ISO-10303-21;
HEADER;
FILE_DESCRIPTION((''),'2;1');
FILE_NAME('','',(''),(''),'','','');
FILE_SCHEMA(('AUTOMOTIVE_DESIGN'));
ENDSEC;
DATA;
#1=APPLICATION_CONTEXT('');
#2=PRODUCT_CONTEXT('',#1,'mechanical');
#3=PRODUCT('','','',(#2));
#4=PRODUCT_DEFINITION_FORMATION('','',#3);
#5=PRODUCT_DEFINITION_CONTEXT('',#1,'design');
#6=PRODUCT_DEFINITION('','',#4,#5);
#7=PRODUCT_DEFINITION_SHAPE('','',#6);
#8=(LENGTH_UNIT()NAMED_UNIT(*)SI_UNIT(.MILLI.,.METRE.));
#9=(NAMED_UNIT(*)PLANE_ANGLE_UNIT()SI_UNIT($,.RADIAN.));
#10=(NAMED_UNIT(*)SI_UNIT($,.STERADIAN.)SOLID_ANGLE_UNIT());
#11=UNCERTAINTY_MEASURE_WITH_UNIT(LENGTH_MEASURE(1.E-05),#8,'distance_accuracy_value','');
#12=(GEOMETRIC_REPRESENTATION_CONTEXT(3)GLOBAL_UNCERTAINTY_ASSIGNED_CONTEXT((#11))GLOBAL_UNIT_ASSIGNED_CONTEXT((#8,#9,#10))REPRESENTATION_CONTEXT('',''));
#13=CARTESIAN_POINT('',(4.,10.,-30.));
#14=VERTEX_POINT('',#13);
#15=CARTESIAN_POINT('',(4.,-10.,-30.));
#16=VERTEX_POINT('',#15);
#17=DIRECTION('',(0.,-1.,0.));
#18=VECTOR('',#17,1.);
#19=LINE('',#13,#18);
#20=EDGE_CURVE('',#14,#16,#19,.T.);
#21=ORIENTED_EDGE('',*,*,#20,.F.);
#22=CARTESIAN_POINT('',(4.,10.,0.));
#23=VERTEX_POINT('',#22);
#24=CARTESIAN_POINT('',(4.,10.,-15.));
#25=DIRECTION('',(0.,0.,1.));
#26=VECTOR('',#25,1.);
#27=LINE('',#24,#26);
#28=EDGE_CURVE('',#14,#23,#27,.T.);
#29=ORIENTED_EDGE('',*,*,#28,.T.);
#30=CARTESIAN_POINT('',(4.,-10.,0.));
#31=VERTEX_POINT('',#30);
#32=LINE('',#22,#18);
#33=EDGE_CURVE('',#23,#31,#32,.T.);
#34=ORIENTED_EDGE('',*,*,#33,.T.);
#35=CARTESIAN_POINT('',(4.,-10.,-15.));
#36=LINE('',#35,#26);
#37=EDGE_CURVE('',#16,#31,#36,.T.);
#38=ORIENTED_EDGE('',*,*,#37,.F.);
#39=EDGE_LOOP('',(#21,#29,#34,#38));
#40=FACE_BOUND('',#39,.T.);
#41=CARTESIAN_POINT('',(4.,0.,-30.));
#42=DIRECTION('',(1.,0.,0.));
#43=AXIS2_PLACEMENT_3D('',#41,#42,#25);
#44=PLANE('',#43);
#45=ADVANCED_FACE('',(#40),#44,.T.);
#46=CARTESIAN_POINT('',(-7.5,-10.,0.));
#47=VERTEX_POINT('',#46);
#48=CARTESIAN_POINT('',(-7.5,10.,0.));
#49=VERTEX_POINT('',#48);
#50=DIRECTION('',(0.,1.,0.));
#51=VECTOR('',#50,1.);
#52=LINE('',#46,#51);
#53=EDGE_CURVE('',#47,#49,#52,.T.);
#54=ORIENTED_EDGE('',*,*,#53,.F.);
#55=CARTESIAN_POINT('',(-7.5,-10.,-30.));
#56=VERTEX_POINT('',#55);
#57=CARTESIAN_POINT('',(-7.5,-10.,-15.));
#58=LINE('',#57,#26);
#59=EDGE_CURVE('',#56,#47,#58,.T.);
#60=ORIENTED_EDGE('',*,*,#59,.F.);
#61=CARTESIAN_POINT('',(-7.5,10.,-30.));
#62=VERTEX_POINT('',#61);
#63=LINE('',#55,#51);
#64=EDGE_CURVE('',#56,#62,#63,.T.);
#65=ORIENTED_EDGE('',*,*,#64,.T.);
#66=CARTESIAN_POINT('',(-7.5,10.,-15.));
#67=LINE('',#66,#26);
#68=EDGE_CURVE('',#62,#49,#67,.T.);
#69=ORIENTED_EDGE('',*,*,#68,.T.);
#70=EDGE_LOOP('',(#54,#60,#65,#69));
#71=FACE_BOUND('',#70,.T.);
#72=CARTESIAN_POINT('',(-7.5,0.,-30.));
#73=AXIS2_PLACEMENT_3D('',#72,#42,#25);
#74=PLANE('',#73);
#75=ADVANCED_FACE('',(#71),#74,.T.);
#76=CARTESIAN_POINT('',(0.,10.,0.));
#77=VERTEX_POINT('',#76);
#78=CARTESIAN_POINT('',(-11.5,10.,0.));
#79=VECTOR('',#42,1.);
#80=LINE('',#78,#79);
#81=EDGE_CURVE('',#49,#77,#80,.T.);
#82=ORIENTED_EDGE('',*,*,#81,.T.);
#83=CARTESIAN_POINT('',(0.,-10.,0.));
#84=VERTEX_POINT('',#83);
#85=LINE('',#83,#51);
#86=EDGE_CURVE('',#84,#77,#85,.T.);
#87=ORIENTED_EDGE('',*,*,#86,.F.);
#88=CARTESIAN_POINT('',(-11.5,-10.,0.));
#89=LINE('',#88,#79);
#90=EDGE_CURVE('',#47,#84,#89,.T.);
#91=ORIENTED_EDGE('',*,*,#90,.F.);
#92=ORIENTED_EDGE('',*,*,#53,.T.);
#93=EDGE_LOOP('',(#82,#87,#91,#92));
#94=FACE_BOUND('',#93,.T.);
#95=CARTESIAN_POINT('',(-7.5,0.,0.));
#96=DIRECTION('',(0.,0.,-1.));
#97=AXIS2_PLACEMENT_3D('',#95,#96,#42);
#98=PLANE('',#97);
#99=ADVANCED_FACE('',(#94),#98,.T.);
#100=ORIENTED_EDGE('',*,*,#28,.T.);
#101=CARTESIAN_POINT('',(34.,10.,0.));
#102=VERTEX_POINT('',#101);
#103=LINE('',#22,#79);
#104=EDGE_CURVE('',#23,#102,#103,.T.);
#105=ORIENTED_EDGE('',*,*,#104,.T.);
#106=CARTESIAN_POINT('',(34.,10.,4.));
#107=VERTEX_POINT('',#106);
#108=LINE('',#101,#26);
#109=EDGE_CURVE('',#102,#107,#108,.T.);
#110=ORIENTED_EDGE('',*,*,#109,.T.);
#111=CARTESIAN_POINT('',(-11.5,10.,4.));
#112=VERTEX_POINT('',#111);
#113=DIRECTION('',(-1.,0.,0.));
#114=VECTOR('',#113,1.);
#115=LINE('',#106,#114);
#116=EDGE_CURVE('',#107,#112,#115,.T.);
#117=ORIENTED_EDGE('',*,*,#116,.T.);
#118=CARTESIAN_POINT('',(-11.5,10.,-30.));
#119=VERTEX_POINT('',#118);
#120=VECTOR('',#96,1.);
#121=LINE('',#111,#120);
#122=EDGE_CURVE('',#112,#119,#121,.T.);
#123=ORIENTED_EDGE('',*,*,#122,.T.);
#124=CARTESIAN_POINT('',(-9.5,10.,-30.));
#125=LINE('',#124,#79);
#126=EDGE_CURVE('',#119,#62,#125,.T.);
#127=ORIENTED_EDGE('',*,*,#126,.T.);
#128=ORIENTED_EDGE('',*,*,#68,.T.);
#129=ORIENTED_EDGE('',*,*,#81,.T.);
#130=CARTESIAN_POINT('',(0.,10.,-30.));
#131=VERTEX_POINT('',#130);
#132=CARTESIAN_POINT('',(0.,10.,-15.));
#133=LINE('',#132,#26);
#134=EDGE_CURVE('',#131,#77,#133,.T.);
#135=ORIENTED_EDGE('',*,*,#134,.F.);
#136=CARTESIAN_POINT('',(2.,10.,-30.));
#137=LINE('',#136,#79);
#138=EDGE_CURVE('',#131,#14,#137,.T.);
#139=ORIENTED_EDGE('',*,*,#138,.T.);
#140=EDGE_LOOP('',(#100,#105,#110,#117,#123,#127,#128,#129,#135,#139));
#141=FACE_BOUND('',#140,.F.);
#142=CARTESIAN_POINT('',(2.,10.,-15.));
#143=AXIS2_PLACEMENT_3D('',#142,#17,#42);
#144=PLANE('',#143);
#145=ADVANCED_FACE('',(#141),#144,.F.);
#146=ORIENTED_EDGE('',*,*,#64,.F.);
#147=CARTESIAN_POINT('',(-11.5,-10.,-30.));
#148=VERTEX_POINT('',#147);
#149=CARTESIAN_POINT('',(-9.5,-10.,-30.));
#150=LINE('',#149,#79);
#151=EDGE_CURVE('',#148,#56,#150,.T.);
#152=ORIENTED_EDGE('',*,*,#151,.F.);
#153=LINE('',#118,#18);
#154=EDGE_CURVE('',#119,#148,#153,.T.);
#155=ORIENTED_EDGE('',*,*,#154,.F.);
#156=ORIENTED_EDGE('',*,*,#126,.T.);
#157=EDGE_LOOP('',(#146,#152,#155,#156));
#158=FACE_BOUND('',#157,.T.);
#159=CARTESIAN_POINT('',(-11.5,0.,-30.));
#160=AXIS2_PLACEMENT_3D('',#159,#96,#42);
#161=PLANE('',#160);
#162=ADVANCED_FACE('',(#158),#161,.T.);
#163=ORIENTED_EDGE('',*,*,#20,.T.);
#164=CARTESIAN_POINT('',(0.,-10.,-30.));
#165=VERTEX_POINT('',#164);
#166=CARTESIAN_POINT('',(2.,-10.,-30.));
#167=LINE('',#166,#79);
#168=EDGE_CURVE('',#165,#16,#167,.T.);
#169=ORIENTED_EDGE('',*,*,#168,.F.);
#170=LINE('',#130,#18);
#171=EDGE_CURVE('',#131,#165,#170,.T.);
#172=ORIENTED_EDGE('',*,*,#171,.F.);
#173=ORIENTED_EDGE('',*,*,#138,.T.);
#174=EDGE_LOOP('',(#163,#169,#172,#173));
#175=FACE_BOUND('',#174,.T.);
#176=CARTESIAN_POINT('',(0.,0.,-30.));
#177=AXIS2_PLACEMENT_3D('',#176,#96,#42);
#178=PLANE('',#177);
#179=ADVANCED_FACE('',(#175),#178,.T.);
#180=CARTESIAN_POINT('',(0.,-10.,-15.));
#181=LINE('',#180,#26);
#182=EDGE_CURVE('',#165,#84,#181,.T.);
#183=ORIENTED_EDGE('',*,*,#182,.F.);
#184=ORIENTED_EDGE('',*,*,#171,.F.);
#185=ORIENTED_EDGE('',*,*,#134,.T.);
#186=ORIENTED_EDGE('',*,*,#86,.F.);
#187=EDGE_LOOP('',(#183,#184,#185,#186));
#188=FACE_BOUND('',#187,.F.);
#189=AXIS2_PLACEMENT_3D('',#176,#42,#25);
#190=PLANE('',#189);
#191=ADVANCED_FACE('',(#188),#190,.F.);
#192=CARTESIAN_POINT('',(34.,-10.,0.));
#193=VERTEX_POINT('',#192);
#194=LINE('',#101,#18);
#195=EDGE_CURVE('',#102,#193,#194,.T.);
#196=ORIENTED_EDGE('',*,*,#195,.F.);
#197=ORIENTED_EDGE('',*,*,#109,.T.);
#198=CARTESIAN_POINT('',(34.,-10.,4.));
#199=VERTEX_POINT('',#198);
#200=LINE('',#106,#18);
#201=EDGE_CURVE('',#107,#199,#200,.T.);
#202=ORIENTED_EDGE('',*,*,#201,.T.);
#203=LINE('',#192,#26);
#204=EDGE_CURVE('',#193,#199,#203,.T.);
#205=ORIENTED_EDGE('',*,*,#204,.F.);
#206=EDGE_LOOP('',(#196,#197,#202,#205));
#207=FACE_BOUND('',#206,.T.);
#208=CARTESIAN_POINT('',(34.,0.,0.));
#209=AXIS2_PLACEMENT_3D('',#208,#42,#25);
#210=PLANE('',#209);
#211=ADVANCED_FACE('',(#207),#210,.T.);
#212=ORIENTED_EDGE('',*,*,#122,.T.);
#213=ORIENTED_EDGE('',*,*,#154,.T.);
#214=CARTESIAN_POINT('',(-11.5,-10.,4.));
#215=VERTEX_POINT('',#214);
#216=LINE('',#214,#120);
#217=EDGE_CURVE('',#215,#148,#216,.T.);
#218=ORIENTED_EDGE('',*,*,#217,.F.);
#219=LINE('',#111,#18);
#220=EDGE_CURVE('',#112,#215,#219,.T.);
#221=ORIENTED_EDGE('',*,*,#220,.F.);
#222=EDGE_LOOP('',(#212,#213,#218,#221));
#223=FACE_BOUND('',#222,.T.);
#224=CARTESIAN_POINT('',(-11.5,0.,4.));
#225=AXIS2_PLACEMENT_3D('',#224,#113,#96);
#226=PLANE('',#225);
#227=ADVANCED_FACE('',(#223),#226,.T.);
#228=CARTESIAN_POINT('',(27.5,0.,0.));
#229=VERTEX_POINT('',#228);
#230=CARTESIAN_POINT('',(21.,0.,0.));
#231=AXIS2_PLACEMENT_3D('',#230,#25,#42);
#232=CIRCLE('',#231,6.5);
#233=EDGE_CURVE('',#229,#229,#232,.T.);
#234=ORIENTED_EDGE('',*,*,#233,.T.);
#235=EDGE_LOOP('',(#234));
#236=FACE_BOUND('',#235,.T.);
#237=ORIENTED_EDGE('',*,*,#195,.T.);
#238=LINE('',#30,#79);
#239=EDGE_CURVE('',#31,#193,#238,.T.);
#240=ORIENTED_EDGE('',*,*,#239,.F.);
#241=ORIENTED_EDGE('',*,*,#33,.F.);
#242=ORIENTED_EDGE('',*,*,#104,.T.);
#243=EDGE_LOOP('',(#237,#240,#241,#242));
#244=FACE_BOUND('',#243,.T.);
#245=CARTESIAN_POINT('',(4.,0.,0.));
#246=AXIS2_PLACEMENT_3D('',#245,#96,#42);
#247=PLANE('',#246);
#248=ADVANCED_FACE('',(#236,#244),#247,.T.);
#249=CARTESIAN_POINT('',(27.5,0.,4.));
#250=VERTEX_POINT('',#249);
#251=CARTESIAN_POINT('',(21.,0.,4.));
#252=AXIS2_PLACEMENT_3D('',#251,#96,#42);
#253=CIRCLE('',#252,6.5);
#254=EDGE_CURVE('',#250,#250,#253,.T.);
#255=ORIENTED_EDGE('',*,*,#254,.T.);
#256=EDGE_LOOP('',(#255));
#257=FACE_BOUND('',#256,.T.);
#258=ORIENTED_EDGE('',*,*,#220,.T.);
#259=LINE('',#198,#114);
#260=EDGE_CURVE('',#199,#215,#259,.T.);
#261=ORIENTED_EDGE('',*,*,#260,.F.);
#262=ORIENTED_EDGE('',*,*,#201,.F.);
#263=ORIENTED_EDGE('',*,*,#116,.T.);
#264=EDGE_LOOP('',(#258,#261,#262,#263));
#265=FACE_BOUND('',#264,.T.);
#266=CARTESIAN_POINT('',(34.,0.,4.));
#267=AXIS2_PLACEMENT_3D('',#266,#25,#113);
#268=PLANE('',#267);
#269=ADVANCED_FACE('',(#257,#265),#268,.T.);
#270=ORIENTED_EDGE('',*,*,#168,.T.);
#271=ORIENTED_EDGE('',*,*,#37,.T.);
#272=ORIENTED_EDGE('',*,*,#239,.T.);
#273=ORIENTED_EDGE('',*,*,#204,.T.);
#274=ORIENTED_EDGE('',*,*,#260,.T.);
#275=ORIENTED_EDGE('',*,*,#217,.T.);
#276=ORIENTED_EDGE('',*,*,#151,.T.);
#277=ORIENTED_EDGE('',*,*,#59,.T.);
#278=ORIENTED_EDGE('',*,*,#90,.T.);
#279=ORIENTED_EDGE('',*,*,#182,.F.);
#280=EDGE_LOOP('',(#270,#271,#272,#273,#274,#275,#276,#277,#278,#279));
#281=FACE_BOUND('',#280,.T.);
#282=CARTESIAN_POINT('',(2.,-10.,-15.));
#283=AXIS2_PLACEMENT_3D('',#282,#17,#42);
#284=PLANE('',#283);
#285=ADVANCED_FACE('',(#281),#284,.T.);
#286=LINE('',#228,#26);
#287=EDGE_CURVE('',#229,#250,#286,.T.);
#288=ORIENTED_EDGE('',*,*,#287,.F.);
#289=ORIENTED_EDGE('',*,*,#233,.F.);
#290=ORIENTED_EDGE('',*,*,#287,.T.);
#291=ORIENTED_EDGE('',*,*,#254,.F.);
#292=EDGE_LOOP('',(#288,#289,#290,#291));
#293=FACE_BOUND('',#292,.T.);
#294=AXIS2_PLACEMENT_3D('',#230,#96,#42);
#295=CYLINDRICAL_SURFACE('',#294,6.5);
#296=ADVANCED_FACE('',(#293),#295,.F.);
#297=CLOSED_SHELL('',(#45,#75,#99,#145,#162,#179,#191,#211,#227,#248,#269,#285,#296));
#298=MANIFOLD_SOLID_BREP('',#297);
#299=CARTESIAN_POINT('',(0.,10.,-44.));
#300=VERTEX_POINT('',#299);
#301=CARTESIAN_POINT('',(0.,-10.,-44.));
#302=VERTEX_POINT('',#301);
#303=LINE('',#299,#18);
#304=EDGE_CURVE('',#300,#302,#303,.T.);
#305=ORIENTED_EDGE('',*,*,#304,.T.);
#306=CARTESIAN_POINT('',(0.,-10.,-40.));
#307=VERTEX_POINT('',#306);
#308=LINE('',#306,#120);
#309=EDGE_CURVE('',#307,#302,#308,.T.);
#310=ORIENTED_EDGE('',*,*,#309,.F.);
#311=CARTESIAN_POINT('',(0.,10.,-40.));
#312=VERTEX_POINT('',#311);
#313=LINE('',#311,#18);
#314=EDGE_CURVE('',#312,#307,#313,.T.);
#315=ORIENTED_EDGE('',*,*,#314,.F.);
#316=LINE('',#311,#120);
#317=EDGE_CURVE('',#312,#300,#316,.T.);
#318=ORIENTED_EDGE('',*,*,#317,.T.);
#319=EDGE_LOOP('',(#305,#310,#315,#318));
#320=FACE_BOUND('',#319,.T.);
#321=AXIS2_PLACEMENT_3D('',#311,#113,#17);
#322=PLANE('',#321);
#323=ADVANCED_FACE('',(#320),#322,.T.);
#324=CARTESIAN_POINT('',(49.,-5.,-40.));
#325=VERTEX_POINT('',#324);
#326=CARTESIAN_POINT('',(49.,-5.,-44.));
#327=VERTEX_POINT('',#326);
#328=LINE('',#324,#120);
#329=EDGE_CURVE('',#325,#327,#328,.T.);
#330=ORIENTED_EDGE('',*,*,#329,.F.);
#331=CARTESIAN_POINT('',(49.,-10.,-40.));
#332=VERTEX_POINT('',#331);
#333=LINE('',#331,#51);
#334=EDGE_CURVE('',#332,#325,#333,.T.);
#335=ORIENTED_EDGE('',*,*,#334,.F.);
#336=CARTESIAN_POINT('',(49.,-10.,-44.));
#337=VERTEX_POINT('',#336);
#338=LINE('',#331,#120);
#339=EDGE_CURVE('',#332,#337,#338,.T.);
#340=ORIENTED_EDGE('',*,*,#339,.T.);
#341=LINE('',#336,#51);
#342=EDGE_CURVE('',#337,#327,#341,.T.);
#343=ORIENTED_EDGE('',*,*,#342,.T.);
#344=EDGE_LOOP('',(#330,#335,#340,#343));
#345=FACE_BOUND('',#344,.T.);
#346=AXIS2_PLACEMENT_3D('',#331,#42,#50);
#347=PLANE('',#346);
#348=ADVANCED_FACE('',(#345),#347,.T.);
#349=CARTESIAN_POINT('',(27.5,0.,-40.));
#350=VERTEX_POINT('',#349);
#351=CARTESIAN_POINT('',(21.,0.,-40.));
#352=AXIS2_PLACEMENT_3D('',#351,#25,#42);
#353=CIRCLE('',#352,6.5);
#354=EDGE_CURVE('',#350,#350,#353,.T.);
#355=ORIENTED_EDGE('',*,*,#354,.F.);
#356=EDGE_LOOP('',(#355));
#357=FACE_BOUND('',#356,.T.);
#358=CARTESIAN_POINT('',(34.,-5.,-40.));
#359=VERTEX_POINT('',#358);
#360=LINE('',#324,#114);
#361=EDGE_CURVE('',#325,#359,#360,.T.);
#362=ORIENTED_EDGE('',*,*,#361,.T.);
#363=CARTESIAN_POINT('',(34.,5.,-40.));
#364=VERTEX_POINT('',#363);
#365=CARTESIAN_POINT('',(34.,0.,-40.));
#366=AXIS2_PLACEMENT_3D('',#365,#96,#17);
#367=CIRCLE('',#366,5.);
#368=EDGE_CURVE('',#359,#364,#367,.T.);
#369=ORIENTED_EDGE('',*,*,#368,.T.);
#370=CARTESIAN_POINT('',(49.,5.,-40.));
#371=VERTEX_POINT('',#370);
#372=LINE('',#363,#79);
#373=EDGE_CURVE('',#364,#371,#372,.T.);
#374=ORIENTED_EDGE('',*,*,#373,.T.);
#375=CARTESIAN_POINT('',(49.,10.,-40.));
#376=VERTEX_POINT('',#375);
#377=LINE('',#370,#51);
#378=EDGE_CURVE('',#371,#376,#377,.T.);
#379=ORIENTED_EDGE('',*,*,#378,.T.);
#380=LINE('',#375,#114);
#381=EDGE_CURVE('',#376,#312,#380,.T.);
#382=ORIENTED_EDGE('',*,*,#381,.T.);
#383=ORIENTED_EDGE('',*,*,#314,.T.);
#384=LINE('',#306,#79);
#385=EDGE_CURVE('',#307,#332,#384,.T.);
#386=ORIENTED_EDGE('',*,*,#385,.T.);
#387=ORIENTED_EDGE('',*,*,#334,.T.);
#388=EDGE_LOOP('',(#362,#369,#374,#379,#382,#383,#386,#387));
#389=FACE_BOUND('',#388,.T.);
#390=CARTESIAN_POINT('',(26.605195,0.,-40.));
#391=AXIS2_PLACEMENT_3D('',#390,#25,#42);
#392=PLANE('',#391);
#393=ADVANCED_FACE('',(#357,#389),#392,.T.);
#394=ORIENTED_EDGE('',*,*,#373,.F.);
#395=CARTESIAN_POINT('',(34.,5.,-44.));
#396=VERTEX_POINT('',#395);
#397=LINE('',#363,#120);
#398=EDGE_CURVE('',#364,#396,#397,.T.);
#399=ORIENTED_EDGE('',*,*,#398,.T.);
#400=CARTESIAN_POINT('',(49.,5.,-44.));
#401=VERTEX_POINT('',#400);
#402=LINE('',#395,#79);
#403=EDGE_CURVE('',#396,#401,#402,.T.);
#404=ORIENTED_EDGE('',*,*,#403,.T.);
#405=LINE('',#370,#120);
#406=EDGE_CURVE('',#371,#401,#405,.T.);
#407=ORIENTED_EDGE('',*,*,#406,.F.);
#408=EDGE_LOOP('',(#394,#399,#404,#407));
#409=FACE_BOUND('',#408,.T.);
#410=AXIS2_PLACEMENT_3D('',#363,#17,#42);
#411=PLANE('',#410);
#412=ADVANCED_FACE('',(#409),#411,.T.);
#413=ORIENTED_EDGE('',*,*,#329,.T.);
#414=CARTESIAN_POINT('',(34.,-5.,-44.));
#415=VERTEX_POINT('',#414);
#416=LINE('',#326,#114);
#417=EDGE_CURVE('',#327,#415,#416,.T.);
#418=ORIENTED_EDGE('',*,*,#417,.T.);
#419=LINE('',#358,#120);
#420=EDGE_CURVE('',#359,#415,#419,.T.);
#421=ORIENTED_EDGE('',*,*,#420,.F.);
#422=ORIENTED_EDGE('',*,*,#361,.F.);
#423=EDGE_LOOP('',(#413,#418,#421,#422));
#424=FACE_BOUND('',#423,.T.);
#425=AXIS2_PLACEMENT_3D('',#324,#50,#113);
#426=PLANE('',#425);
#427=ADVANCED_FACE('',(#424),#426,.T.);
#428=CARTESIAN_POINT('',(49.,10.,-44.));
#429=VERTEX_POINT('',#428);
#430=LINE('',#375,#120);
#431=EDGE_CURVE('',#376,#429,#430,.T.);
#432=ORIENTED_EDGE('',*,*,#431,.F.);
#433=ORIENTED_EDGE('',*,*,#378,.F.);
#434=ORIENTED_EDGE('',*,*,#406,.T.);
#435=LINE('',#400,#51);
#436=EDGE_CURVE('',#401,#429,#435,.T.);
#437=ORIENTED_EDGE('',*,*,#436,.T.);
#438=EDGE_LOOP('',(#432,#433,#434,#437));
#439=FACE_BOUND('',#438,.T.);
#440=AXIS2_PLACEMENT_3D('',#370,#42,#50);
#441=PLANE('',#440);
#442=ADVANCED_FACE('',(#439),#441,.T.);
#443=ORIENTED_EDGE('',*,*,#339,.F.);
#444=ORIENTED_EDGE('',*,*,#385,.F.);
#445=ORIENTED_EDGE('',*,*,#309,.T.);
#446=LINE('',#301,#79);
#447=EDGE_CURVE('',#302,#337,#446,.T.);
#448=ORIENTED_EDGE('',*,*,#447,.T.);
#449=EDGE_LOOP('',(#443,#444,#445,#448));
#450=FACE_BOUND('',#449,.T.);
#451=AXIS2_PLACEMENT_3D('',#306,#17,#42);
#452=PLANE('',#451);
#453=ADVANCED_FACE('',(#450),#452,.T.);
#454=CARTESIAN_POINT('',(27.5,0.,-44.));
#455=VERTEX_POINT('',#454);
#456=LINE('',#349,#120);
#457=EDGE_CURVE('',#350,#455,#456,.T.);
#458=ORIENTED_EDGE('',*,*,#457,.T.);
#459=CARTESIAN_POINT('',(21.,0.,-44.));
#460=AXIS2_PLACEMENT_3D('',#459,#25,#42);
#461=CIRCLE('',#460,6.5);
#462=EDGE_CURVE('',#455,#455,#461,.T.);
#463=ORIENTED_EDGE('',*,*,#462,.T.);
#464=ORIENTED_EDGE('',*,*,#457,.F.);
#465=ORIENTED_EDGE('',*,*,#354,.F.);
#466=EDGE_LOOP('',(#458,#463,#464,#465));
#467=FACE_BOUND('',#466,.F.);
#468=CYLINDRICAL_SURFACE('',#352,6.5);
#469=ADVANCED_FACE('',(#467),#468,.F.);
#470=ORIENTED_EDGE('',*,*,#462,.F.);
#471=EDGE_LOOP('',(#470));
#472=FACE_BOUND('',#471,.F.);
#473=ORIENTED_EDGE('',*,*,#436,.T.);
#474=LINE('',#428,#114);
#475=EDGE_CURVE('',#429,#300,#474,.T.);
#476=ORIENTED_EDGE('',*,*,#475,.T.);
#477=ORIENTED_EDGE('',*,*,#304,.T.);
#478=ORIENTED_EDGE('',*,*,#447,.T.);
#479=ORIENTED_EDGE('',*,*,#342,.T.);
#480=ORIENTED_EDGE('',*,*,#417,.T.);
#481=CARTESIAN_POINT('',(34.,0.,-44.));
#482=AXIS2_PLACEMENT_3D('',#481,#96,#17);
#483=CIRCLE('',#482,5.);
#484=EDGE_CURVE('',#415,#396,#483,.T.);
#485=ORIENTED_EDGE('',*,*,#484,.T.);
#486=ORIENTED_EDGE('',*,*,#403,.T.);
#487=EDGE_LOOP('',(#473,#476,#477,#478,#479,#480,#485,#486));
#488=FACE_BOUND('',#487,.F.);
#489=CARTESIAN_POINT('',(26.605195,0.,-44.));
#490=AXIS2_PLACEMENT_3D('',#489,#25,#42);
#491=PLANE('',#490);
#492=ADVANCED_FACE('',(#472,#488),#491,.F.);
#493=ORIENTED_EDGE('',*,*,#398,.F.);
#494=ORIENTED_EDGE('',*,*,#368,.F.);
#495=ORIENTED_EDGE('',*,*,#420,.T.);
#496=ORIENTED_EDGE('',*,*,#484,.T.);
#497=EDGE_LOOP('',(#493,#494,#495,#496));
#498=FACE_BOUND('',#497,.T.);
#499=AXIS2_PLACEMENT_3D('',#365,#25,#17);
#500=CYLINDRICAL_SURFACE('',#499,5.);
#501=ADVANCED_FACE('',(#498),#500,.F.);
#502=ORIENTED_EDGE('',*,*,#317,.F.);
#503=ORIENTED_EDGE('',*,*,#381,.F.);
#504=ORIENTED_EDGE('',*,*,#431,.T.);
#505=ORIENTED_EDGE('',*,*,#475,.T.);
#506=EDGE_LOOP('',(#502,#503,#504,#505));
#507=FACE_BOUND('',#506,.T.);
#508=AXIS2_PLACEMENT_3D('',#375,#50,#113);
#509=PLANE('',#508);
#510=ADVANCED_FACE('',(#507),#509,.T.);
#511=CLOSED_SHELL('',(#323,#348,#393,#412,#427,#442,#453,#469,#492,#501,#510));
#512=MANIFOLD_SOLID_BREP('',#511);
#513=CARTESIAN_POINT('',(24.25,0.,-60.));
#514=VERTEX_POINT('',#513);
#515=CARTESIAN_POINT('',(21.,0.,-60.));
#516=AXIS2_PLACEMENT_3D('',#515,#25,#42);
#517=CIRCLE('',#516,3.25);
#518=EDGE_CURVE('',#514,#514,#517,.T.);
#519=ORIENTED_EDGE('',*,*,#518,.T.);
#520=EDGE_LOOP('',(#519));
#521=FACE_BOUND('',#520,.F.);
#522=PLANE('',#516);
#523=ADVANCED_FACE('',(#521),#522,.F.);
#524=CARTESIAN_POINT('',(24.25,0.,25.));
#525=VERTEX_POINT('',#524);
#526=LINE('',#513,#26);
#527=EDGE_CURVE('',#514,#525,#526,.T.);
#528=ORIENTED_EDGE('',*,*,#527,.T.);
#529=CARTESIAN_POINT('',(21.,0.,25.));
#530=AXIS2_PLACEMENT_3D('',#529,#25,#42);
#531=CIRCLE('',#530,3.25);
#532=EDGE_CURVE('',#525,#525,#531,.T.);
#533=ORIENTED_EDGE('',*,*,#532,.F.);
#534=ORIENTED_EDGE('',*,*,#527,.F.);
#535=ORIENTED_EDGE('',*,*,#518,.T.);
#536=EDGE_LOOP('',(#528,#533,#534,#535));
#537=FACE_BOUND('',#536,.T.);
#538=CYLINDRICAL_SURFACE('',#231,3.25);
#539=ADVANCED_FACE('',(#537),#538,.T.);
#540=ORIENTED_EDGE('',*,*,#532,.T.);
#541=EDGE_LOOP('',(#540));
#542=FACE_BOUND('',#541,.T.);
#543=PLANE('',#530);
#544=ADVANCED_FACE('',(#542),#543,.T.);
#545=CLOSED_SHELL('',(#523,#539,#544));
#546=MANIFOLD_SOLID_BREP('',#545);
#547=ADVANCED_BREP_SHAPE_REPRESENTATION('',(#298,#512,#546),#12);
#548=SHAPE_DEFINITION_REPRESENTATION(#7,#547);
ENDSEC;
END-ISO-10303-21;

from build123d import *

# Parameters (mm, degrees)
F0_W          = 4
F0_H          = 30
F1_DEPTH      = 10
F1_DEPTH_BACK = 10
F2_R          = 6.5
F3_DEPTH      = 11.1
F4_R          = 3.25
F5_DEPTH      = 25
F5_DEPTH_BACK = 60
F7_R          = 6.5
F8_DEPTH      = 4


with BuildPart() as f1:
    # F0 (on Front) → F1 (new body, two sides)
    with BuildSketch(Plane.XZ) as f1_sk:
        with Locations((2, -15)):
            Rectangle(F0_W, F0_H)
        Polygon((-7.5, 0), (0, 0), (4, 0), (34, 0), (34, 4), (-11.5, 4), (-11.5, 0), align=None)
        with Locations((-9.5, -15)):
            Rectangle(F0_W, F0_H)
    extrude(amount=F1_DEPTH)
    extrude(f1_sk.sketch, amount=-F1_DEPTH_BACK)

    # F2 (on Top) → F3 (cut)
    with BuildSketch(Plane.XY):
        with Locations((21, 0)):
            Circle(F2_R)
    extrude(amount=F3_DEPTH, mode=Mode.SUBTRACT)


with BuildPart() as f5:
    # F4 (on Top) → F5 (new body, two sides)
    with BuildSketch(Plane.XY) as f5_sk:
        with Locations((21, 0)):
            Circle(F4_R)
    extrude(amount=F5_DEPTH)
    extrude(f5_sk.sketch, amount=-F5_DEPTH_BACK)


with BuildPart() as f8:
    # F7 (on offset) → F8 (new body)
    with BuildSketch(Plane.XY.offset(-40)):
        with BuildLine():
            Line((34, 10), (15, 10))
            Line((15, 10), (0, 10))
            Line((0, 10), (0, -10))
            Line((0, -10), (15, -10))
            Line((15, -10), (34, -10))
            Line((34, -10), (49, -10))
            Line((49, -10), (49, -5))
            Line((49, -5), (34, -5))
            ThreePointArc((34, -5), (29, 0), (34, 5))
            Line((34, 5), (49, 5))
            Line((49, 5), (49, 10))
            Line((49, 10), (34, 10))
        make_face()
        with Locations((21, 0)):
            Circle(F7_R, mode=Mode.SUBTRACT)
    extrude(amount=-F8_DEPTH)


solid = Compound([f1.part, f5.part, f8.part])
